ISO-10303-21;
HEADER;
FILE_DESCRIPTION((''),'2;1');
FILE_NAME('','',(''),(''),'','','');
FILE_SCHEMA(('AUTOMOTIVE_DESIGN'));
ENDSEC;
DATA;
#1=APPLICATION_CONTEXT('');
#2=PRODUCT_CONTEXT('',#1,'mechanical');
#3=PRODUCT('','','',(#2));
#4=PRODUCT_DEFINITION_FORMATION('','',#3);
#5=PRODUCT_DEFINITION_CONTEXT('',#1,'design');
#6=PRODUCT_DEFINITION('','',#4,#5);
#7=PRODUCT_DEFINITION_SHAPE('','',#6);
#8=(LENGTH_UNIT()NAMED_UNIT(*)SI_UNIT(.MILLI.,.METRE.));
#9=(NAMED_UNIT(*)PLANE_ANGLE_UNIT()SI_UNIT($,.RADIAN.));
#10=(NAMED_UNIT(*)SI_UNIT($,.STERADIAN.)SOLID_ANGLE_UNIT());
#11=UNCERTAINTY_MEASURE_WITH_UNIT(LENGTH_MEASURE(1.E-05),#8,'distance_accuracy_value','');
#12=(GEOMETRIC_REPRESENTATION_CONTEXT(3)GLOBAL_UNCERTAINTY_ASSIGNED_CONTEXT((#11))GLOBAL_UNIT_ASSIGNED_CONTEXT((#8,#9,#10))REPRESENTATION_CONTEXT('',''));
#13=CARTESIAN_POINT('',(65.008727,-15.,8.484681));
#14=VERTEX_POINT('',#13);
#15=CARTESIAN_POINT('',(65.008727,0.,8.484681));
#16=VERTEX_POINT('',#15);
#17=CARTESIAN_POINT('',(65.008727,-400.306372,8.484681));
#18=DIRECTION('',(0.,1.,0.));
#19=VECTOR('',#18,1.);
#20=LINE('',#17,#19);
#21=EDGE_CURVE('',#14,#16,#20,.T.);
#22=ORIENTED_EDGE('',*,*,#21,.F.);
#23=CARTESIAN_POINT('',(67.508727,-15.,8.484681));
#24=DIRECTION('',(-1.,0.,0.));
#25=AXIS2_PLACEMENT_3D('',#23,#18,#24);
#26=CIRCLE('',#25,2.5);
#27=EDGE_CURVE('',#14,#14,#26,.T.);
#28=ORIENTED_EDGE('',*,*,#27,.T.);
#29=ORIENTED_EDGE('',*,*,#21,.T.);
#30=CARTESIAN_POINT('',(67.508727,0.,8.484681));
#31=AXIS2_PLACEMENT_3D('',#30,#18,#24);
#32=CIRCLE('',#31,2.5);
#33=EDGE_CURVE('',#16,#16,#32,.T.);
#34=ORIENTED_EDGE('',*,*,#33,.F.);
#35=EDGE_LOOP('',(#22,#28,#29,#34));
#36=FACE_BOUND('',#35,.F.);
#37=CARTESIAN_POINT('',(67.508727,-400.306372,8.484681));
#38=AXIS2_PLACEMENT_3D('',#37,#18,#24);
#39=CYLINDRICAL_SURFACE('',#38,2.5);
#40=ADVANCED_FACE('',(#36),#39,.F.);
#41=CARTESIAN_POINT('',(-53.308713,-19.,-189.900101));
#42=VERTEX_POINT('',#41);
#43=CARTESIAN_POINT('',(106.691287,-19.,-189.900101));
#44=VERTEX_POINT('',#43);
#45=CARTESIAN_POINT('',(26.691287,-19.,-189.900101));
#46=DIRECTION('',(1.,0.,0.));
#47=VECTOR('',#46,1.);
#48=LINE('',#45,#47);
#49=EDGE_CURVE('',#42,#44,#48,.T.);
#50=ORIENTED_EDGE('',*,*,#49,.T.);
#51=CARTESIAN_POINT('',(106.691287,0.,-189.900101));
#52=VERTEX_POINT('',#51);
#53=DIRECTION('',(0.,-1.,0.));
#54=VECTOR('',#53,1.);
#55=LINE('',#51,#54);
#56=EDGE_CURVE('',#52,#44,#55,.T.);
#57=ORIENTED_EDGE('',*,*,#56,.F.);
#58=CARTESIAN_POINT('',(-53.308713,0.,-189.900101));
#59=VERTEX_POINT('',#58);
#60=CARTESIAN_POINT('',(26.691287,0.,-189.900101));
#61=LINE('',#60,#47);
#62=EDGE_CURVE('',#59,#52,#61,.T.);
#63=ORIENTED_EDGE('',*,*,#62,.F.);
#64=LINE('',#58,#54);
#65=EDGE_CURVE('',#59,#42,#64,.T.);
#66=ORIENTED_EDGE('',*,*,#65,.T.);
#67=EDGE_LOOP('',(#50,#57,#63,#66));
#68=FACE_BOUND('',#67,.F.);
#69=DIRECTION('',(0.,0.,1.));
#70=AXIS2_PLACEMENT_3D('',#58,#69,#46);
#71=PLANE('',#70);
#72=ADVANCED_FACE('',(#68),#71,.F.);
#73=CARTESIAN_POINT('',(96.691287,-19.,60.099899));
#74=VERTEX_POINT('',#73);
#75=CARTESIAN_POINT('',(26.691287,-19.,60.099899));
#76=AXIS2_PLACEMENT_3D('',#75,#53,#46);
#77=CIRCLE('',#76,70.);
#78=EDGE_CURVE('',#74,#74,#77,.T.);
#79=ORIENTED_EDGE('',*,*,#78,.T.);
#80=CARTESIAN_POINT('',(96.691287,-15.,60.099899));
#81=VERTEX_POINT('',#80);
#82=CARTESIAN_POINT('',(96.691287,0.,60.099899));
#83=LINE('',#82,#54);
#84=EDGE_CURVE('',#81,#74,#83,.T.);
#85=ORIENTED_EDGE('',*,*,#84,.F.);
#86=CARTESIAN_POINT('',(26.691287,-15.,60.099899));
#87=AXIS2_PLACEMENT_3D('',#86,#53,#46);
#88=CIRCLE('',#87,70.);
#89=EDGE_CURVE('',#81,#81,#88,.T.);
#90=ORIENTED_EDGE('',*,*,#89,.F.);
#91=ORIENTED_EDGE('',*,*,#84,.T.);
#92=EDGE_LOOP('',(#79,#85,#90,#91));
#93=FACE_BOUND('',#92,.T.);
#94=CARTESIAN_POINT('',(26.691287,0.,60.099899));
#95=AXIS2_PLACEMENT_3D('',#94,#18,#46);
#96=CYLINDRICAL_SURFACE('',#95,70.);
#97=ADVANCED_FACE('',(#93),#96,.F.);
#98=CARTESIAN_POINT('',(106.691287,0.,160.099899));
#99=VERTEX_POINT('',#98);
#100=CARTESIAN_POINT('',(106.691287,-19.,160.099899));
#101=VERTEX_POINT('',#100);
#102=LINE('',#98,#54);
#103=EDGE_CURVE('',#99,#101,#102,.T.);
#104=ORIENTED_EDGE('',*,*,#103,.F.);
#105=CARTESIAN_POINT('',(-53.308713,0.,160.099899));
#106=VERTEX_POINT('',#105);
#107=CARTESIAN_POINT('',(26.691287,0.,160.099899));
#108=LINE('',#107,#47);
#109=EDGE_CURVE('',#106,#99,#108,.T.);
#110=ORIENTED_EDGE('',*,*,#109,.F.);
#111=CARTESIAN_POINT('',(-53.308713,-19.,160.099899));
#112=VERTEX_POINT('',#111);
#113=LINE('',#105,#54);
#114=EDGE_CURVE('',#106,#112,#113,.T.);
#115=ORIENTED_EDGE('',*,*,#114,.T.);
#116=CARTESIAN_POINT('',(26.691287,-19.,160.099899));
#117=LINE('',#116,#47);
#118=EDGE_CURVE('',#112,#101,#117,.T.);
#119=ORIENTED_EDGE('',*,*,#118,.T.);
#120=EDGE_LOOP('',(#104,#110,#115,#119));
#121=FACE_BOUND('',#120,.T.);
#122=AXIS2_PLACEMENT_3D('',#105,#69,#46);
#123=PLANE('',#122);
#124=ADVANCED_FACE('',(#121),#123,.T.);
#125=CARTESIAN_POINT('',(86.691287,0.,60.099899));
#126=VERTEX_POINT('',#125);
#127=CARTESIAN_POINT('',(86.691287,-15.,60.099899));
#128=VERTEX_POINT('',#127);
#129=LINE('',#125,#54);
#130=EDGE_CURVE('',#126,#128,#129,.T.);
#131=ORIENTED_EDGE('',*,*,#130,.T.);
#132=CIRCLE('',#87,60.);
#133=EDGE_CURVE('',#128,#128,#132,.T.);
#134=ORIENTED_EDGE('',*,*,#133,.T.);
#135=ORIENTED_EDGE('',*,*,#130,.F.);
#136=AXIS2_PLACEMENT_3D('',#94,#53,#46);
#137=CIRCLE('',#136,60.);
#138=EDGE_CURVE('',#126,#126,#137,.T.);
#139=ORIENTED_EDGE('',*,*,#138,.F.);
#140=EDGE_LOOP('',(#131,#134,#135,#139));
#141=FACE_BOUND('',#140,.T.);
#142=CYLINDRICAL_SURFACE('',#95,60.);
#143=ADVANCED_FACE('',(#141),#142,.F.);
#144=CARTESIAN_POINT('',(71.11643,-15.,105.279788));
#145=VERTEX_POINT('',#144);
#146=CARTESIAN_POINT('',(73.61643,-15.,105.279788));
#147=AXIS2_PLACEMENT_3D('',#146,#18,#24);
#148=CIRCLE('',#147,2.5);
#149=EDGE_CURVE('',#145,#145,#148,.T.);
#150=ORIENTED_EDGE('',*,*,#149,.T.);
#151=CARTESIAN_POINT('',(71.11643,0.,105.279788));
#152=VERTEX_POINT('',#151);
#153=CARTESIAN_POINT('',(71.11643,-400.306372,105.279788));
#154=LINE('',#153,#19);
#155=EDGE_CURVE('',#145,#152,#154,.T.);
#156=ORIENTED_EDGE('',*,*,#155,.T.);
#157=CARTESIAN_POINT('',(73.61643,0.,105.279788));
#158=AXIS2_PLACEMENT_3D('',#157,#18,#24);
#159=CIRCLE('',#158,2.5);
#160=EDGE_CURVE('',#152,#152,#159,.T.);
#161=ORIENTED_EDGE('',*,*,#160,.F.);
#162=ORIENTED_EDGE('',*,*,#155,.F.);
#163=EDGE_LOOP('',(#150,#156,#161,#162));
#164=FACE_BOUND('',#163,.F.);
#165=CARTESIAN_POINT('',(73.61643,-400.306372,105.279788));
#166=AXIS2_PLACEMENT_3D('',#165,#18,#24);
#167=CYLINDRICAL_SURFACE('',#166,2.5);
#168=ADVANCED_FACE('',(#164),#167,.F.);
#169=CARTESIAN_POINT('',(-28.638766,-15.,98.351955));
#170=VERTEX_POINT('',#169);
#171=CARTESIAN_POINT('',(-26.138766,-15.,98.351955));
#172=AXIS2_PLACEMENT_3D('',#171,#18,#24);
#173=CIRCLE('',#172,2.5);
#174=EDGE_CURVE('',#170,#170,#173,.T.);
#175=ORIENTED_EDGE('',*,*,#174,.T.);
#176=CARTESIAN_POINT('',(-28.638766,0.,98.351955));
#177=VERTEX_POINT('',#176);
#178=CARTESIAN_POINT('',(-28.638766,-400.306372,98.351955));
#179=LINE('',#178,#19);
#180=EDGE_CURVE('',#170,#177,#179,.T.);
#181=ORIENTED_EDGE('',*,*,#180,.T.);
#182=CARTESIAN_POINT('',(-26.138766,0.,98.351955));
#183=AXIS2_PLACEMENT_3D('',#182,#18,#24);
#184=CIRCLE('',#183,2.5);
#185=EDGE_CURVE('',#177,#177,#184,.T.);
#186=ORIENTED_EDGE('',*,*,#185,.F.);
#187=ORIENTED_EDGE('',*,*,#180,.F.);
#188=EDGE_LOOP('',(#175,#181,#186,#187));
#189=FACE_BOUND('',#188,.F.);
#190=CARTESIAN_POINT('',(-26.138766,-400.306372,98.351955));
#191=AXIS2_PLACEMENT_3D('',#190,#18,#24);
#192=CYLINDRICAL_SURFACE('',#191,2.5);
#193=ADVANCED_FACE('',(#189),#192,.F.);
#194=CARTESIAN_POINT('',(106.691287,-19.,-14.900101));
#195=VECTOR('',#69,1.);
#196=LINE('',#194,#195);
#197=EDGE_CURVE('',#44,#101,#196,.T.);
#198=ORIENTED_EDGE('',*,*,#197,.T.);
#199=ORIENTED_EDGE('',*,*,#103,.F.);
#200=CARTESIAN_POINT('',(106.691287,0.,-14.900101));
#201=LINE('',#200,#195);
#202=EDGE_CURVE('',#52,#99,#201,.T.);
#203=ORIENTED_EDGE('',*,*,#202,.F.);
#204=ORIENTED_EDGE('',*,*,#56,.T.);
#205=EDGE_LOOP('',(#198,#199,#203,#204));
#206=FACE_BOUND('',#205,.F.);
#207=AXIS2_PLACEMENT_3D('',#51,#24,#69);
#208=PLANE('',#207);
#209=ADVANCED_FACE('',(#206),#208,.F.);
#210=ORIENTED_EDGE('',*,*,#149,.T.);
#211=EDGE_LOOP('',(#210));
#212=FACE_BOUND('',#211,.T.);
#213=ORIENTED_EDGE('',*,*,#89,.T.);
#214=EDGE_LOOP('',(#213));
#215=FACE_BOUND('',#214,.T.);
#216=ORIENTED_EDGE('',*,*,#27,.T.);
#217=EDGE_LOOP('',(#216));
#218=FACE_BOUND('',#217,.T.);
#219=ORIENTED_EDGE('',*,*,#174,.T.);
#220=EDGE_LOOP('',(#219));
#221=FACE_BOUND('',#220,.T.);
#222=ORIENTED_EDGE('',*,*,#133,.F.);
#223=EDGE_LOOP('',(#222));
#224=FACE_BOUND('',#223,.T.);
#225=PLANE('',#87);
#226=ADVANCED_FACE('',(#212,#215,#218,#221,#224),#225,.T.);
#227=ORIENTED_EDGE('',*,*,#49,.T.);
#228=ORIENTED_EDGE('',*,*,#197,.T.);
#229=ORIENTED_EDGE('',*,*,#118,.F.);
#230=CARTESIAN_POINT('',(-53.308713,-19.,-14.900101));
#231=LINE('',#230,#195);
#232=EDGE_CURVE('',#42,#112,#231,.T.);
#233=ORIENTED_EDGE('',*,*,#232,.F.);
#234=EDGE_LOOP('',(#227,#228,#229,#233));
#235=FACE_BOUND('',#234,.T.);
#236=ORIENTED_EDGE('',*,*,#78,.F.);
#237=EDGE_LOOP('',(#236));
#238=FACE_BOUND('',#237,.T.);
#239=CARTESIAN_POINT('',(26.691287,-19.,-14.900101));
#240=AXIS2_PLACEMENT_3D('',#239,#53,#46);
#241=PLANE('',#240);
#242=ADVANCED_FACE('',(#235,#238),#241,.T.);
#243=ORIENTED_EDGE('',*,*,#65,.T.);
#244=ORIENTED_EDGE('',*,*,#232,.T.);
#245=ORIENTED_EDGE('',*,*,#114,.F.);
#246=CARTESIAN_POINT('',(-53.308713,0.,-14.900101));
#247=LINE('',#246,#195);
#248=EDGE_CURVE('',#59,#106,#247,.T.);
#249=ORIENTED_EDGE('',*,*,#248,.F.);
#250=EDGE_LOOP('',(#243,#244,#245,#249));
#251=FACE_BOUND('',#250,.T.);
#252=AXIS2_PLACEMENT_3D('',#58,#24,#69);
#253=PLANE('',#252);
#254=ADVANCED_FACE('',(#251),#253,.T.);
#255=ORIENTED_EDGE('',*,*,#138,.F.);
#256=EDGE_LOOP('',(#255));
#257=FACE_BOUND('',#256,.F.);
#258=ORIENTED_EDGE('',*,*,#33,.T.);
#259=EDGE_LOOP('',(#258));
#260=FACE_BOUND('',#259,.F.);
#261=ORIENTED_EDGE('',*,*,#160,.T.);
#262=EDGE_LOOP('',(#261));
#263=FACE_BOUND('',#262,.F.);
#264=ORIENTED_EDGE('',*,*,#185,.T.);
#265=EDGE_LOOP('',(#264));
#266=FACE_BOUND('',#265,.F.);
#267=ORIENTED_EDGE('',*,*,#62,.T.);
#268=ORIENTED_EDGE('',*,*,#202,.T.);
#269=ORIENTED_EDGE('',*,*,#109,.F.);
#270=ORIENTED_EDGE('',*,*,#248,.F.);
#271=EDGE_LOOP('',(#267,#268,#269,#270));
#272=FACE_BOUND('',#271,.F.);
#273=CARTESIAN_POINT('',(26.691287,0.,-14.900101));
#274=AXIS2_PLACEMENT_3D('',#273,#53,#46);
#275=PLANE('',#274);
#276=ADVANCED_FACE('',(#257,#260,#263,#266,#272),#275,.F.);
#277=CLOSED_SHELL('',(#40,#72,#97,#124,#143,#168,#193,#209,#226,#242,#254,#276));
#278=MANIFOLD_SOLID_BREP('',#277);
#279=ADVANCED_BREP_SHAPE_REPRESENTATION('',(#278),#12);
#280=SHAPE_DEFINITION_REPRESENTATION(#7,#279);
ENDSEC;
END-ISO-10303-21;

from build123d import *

# Parameters (mm, degrees)
F0_R     = 70
F0_R_2   = 60
F1_DEPTH = 15
F0_W     = 160
F0_H     = 350
F2_DEPTH = 19
F4_D     = 5


with BuildPart() as f1:
    # F0 (on Front) → F1 (new body)
    with BuildSketch(Plane.XZ):
        with Locations((26.691287, 60.099899)):
            Circle(F0_R)
        with Locations((26.691287, 60.099899)):
            Circle(F0_R_2, mode=Mode.SUBTRACT)
    extrude(amount=F1_DEPTH)

    # F0 (on Front) → F2 (join)
    with BuildSketch(Plane.XZ):
        with Locations((26.691287, -14.900101)):
            Rectangle(F0_W, F0_H)
        with Locations((26.691287, 60.099899)):
            Circle(F0_R, mode=Mode.SUBTRACT)
    extrude(amount=F2_DEPTH)

    # F4 (through all)
    with Locations(Plane.XZ.offset(15)):
        with Locations((-26.138766, 98.351955), (73.61643, 105.279788), (67.508727, 8.484681)):
            Hole(F4_D / 2)


solid = f1.part
